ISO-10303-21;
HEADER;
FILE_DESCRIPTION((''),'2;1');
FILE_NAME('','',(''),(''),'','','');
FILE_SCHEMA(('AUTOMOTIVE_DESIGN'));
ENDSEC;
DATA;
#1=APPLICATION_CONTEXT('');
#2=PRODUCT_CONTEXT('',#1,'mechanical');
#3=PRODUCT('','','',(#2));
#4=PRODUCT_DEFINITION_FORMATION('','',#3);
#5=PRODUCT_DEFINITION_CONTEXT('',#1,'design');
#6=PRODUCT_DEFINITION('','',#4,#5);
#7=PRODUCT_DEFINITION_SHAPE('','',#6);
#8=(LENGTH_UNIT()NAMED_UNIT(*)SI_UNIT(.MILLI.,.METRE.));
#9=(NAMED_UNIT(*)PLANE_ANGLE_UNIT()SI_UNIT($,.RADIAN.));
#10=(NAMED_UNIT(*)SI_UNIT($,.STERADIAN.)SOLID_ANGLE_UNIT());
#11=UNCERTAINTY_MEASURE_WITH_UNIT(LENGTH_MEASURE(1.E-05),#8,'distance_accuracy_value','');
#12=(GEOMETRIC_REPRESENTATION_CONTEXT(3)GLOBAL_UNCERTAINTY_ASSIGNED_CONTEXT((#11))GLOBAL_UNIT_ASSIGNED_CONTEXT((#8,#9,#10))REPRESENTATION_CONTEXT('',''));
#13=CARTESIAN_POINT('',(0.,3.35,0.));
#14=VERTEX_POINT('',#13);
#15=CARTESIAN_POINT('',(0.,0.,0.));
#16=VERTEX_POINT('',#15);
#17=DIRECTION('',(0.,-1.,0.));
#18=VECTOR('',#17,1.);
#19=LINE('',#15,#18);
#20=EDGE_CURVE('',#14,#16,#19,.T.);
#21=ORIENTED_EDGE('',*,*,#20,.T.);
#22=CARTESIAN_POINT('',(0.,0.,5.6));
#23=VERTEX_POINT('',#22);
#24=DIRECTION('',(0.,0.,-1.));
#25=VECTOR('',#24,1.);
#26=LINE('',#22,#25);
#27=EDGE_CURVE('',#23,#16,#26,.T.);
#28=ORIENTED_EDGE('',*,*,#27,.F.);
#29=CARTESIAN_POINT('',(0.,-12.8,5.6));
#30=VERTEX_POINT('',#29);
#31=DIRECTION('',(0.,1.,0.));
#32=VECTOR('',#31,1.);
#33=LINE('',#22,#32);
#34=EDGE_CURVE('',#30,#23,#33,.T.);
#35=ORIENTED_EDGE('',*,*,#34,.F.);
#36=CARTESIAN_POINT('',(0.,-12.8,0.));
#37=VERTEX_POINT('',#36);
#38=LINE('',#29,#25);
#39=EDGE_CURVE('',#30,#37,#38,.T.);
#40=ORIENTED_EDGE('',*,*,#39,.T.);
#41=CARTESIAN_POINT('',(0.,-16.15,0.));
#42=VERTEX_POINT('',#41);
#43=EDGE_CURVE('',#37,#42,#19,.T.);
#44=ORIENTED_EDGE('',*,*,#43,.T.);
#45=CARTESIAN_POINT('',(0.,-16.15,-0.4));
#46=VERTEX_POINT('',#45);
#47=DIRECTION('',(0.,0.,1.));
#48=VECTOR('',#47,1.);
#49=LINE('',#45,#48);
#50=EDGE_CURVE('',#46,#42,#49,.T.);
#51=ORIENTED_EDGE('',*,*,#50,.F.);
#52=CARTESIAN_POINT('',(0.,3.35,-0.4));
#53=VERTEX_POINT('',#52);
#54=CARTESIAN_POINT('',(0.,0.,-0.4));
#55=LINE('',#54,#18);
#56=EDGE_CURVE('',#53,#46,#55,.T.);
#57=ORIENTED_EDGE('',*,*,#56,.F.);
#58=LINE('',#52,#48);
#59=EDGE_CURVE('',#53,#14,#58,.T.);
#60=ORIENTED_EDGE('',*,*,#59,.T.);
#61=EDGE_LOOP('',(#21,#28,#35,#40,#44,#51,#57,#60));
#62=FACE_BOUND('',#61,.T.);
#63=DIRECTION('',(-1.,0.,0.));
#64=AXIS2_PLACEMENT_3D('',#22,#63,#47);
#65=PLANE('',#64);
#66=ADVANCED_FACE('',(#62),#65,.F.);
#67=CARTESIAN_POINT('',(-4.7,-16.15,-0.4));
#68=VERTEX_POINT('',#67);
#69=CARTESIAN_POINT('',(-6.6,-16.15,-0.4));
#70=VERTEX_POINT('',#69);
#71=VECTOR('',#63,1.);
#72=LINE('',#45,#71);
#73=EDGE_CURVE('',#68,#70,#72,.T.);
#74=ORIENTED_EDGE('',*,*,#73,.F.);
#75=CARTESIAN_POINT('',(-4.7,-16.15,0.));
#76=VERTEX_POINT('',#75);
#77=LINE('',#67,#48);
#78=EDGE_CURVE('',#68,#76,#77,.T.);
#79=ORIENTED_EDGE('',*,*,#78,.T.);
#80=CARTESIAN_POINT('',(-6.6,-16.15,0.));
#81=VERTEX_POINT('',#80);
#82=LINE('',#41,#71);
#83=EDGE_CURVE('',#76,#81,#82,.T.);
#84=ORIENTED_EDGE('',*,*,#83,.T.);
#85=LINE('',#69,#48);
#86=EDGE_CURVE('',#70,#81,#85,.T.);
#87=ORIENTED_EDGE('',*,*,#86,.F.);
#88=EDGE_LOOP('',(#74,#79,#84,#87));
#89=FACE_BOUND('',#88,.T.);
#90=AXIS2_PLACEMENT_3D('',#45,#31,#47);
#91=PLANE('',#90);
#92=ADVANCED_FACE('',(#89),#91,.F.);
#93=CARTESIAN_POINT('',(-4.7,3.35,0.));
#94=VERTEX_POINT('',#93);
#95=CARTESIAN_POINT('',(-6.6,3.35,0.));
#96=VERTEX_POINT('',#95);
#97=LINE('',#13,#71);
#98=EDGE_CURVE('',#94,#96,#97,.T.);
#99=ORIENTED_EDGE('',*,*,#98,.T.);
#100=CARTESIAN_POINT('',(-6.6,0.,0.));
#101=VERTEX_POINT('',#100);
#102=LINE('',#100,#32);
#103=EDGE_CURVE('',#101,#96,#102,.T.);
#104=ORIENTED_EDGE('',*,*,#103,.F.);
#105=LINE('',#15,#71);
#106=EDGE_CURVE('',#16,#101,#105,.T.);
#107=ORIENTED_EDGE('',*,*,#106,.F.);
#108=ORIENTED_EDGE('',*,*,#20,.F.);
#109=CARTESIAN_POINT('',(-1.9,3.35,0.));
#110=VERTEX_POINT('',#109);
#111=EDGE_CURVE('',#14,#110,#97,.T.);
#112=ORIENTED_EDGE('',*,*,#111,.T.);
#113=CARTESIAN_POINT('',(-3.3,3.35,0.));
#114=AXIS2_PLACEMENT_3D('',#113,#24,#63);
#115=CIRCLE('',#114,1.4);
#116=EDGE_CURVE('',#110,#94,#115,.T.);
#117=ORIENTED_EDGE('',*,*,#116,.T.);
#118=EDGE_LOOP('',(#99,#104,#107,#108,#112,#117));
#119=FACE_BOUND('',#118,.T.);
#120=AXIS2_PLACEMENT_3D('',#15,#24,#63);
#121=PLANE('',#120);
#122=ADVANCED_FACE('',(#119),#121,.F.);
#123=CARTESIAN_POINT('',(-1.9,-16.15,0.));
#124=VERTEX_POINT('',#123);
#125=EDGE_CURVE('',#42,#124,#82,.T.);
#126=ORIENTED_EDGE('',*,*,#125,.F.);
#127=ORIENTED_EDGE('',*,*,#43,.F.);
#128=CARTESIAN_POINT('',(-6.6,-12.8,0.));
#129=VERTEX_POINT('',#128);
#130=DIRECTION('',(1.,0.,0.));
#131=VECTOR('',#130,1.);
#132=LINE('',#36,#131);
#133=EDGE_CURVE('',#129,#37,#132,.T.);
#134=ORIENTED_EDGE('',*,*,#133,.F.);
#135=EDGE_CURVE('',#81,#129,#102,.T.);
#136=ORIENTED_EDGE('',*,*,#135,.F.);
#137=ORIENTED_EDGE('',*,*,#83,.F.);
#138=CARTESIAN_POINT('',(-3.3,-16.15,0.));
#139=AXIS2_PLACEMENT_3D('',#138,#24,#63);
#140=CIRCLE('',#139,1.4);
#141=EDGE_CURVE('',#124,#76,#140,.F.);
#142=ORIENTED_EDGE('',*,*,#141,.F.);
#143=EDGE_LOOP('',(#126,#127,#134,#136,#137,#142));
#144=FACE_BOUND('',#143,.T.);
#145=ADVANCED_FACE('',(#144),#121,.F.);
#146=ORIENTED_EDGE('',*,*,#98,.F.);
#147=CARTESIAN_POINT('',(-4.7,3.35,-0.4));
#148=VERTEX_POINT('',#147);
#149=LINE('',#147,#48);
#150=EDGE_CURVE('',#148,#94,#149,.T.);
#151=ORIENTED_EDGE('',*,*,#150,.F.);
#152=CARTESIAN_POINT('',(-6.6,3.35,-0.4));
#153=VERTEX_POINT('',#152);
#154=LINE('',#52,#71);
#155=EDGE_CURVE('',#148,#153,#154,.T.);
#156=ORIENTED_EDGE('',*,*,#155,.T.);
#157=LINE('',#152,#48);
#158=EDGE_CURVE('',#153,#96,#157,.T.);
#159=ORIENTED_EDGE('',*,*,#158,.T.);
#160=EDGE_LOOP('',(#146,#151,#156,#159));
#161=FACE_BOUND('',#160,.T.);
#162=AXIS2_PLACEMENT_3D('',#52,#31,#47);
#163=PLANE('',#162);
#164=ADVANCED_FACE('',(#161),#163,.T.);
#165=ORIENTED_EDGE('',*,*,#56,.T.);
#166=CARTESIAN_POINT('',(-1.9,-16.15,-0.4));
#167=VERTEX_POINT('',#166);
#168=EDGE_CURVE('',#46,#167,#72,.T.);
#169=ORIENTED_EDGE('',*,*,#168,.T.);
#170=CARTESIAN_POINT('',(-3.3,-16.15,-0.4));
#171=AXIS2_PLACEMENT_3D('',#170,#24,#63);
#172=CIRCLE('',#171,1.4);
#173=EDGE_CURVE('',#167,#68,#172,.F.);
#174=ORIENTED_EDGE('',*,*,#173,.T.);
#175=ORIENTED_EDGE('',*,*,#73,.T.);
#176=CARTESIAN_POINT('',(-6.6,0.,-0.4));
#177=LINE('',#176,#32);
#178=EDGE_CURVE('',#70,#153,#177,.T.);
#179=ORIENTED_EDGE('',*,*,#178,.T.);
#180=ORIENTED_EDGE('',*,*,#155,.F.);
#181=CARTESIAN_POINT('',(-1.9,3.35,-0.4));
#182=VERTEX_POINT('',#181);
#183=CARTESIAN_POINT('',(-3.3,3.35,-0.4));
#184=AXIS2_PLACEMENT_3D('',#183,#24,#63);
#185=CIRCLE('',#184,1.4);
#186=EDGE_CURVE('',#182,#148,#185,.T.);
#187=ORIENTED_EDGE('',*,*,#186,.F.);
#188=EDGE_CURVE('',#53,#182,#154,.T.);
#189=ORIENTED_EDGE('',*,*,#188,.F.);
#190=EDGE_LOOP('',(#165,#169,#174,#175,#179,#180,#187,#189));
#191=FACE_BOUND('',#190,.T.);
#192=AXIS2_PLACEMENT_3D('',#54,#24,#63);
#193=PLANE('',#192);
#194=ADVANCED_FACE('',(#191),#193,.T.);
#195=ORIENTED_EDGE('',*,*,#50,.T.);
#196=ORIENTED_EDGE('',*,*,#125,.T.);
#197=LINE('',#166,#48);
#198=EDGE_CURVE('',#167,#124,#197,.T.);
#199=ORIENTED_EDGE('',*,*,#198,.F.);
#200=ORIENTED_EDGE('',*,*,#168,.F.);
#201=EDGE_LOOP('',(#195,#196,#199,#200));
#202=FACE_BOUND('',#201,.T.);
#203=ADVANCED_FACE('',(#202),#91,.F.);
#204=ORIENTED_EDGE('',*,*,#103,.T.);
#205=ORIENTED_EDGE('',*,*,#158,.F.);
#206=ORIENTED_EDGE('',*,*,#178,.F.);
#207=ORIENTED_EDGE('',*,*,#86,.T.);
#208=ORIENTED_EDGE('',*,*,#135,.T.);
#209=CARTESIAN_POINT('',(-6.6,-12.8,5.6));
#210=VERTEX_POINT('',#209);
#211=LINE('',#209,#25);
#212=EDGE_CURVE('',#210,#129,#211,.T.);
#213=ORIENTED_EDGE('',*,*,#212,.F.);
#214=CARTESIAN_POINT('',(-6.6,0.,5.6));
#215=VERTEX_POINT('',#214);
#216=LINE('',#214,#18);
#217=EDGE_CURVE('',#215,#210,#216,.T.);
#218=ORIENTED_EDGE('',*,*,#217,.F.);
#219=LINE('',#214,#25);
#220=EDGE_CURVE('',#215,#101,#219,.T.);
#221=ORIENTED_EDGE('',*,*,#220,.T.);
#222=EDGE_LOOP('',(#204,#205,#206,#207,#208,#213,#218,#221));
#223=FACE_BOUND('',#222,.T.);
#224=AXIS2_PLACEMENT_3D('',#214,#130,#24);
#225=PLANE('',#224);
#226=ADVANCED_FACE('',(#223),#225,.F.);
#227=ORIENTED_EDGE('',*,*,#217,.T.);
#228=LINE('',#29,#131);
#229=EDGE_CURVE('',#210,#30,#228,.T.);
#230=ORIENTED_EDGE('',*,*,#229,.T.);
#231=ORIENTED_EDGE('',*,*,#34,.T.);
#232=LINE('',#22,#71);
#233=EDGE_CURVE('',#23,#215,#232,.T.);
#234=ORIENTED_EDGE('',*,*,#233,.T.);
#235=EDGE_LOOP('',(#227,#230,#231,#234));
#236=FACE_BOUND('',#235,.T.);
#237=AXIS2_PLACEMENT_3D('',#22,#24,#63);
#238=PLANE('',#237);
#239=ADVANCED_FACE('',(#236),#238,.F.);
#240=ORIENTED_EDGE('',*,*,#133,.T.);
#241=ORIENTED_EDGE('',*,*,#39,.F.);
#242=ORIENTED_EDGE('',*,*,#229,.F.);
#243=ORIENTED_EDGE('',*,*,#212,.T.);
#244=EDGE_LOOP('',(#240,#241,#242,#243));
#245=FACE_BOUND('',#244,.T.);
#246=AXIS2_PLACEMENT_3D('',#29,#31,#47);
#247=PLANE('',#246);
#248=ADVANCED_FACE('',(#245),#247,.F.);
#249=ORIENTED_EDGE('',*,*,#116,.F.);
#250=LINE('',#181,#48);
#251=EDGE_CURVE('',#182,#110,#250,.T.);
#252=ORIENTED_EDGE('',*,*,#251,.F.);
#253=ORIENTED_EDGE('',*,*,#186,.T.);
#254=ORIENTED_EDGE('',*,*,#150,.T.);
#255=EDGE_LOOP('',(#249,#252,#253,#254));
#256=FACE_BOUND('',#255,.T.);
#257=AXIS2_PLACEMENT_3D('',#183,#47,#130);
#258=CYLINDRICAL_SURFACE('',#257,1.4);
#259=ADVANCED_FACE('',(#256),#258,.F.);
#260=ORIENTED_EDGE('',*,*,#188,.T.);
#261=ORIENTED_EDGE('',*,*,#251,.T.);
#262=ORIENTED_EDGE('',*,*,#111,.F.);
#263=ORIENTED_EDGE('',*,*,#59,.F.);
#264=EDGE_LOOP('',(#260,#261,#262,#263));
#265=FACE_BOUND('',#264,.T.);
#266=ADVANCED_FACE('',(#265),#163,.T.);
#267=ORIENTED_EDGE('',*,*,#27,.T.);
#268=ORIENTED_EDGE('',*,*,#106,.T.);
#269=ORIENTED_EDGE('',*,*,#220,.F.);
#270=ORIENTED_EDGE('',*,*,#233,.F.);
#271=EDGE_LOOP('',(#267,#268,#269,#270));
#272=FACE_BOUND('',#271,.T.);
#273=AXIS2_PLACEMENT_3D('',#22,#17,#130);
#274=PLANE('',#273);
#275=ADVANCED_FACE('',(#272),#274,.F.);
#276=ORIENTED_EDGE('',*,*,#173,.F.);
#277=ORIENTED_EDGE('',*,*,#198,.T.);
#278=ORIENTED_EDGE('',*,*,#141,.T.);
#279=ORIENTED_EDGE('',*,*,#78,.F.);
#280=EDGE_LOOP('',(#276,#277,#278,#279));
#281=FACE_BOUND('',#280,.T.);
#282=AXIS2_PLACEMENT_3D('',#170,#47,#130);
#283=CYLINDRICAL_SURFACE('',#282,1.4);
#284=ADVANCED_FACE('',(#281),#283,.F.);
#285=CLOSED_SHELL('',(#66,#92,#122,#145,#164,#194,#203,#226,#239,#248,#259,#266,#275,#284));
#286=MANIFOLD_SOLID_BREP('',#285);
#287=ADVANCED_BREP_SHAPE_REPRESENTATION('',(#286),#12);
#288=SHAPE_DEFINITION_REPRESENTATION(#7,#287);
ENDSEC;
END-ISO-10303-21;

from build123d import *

# Parameters (mm, degrees)
ESQUISSE1_W        = 6.6
ESQUISSE1_H        = 12.8
BOSS_EXTRU_1_DEPTH = 5.6
ESQUISSE2_W        = 1.9
ESQUISSE2_H        = 12.8
ESQUISSE2_W_2      = 2.8
ESQUISSE2_H_2      = 3.35
BOSS_EXTRU_2_DEPTH = 0.4


with BuildPart() as part:
    # Esquisse1 → Boss.-Extru.1 (new body)
    with BuildSketch(Plane.XY):
        with Locations((-3.3, -6.4)):
            Rectangle(ESQUISSE1_W, ESQUISSE1_H)
    extrude(amount=BOSS_EXTRU_1_DEPTH)

    # Esquisse2 → Boss.-Extru.2 (add)
    with BuildSketch(Plane(origin=(0, 0, 0), x_dir=(-1, 0, 0), z_dir=(0, 0, -1))):
        with Locations((0.95, -6.4)):
            Rectangle(ESQUISSE2_W, ESQUISSE2_H)
        with Locations((3.3, -6.4)):
            Rectangle(ESQUISSE2_W_2, ESQUISSE2_H)
        with Locations((5.65, -6.4)):
            Rectangle(ESQUISSE2_W, ESQUISSE2_H)
        with Locations((0.95, -14.475)):
            Rectangle(ESQUISSE2_W, ESQUISSE2_H_2)
        with BuildLine():
            Line((4.7, -12.8), (1.9, -12.8))
            Line((1.9, -12.8), (1.9, -16.15))
            ThreePointArc((1.9, -16.15), (3.3, -14.75), (4.7, -16.15))
            Line((4.7, -16.15), (4.7, -12.8))
        make_face()
        with Locations((5.65, -14.475)):
            Rectangle(ESQUISSE2_W, ESQUISSE2_H_2)
        with Locations((0.95, 1.675)):
            Rectangle(ESQUISSE2_W, ESQUISSE2_H_2)
        with BuildLine():
            ThreePointArc((4.7, 3.35), (3.3, 1.95), (1.9, 3.35))
            Line((1.9, 3.35), (1.9, 0))
            Line((1.9, 0), (4.7, 0))
            Line((4.7, 0), (4.7, 3.35))
        make_face()
        with Locations((5.65, 1.675)):
            Rectangle(ESQUISSE2_W, ESQUISSE2_H_2)
    extrude(amount=BOSS_EXTRU_2_DEPTH)


solid = part.part
